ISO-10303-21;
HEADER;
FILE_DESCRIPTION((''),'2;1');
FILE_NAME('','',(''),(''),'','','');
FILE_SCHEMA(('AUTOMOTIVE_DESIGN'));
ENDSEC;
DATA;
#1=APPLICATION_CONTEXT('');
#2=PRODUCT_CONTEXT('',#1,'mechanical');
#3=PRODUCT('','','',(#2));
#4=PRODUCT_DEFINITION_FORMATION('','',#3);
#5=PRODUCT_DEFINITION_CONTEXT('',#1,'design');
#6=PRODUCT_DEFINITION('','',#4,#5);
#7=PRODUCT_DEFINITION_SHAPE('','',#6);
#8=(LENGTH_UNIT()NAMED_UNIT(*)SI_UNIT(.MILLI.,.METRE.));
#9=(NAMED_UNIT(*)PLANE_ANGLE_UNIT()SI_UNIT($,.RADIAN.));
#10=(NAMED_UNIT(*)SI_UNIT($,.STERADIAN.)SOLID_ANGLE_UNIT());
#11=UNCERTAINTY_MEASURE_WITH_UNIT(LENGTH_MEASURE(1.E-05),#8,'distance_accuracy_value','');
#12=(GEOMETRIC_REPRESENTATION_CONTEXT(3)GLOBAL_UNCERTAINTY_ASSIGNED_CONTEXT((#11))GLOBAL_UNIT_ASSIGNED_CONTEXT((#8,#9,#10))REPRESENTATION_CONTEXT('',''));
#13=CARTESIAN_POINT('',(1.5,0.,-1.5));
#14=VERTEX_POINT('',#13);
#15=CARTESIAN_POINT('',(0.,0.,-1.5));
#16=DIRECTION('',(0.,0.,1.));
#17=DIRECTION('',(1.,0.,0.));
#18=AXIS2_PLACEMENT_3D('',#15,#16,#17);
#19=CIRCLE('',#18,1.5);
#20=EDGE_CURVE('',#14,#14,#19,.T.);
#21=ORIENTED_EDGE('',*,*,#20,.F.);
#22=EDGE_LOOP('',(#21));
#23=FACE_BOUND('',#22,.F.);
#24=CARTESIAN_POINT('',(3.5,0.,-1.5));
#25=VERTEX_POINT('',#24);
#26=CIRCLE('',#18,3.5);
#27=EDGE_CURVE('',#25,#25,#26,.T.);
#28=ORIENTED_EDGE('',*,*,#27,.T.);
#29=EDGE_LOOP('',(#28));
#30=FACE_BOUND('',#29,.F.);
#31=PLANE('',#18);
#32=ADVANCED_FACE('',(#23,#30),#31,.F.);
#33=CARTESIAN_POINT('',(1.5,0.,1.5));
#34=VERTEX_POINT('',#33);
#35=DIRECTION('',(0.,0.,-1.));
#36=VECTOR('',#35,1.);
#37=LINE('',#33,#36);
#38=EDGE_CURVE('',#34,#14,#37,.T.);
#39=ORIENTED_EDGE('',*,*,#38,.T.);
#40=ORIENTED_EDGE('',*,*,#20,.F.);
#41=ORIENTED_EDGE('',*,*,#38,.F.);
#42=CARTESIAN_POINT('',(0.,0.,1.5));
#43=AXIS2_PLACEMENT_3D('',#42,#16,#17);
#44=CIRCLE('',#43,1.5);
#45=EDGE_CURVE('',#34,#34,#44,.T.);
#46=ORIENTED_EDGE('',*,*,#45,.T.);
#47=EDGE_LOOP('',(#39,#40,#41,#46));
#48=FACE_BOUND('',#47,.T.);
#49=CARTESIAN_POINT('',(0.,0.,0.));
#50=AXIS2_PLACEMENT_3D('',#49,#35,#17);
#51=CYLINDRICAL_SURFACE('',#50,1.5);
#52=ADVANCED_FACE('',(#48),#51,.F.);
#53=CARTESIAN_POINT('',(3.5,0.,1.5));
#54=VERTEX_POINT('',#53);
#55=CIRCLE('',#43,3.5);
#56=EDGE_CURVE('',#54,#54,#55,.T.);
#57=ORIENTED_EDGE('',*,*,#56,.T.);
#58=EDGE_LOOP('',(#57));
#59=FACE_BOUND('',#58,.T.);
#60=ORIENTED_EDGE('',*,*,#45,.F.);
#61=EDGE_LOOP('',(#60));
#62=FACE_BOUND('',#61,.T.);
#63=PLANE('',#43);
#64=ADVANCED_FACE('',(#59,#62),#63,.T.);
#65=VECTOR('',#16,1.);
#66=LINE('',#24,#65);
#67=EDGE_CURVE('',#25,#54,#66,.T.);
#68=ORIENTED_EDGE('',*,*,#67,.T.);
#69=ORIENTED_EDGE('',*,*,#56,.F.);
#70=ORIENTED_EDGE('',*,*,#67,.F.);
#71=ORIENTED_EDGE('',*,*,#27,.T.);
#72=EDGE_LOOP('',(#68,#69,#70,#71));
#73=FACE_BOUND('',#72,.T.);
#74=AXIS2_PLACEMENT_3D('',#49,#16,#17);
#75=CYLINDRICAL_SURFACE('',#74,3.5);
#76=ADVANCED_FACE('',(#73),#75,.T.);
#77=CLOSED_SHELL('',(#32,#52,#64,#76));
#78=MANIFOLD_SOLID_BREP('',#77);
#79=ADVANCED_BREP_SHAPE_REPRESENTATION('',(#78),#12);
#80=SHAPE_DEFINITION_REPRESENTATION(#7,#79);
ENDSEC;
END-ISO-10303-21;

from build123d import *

# Parameters (mm, degrees)
SKETCH1_R           = 3.5
SKETCH1_R_2         = 1.5
BOSS_EXTRUDE1_DEPTH = 1.5


with BuildPart() as part:
    # Sketch1 → Boss-Extrude1 (new body, symmetric)
    with BuildSketch(Plane.XY):
        Circle(SKETCH1_R)
        Circle(SKETCH1_R_2, mode=Mode.SUBTRACT)
    extrude(amount=BOSS_EXTRUDE1_DEPTH, both=True)


solid = part.part
